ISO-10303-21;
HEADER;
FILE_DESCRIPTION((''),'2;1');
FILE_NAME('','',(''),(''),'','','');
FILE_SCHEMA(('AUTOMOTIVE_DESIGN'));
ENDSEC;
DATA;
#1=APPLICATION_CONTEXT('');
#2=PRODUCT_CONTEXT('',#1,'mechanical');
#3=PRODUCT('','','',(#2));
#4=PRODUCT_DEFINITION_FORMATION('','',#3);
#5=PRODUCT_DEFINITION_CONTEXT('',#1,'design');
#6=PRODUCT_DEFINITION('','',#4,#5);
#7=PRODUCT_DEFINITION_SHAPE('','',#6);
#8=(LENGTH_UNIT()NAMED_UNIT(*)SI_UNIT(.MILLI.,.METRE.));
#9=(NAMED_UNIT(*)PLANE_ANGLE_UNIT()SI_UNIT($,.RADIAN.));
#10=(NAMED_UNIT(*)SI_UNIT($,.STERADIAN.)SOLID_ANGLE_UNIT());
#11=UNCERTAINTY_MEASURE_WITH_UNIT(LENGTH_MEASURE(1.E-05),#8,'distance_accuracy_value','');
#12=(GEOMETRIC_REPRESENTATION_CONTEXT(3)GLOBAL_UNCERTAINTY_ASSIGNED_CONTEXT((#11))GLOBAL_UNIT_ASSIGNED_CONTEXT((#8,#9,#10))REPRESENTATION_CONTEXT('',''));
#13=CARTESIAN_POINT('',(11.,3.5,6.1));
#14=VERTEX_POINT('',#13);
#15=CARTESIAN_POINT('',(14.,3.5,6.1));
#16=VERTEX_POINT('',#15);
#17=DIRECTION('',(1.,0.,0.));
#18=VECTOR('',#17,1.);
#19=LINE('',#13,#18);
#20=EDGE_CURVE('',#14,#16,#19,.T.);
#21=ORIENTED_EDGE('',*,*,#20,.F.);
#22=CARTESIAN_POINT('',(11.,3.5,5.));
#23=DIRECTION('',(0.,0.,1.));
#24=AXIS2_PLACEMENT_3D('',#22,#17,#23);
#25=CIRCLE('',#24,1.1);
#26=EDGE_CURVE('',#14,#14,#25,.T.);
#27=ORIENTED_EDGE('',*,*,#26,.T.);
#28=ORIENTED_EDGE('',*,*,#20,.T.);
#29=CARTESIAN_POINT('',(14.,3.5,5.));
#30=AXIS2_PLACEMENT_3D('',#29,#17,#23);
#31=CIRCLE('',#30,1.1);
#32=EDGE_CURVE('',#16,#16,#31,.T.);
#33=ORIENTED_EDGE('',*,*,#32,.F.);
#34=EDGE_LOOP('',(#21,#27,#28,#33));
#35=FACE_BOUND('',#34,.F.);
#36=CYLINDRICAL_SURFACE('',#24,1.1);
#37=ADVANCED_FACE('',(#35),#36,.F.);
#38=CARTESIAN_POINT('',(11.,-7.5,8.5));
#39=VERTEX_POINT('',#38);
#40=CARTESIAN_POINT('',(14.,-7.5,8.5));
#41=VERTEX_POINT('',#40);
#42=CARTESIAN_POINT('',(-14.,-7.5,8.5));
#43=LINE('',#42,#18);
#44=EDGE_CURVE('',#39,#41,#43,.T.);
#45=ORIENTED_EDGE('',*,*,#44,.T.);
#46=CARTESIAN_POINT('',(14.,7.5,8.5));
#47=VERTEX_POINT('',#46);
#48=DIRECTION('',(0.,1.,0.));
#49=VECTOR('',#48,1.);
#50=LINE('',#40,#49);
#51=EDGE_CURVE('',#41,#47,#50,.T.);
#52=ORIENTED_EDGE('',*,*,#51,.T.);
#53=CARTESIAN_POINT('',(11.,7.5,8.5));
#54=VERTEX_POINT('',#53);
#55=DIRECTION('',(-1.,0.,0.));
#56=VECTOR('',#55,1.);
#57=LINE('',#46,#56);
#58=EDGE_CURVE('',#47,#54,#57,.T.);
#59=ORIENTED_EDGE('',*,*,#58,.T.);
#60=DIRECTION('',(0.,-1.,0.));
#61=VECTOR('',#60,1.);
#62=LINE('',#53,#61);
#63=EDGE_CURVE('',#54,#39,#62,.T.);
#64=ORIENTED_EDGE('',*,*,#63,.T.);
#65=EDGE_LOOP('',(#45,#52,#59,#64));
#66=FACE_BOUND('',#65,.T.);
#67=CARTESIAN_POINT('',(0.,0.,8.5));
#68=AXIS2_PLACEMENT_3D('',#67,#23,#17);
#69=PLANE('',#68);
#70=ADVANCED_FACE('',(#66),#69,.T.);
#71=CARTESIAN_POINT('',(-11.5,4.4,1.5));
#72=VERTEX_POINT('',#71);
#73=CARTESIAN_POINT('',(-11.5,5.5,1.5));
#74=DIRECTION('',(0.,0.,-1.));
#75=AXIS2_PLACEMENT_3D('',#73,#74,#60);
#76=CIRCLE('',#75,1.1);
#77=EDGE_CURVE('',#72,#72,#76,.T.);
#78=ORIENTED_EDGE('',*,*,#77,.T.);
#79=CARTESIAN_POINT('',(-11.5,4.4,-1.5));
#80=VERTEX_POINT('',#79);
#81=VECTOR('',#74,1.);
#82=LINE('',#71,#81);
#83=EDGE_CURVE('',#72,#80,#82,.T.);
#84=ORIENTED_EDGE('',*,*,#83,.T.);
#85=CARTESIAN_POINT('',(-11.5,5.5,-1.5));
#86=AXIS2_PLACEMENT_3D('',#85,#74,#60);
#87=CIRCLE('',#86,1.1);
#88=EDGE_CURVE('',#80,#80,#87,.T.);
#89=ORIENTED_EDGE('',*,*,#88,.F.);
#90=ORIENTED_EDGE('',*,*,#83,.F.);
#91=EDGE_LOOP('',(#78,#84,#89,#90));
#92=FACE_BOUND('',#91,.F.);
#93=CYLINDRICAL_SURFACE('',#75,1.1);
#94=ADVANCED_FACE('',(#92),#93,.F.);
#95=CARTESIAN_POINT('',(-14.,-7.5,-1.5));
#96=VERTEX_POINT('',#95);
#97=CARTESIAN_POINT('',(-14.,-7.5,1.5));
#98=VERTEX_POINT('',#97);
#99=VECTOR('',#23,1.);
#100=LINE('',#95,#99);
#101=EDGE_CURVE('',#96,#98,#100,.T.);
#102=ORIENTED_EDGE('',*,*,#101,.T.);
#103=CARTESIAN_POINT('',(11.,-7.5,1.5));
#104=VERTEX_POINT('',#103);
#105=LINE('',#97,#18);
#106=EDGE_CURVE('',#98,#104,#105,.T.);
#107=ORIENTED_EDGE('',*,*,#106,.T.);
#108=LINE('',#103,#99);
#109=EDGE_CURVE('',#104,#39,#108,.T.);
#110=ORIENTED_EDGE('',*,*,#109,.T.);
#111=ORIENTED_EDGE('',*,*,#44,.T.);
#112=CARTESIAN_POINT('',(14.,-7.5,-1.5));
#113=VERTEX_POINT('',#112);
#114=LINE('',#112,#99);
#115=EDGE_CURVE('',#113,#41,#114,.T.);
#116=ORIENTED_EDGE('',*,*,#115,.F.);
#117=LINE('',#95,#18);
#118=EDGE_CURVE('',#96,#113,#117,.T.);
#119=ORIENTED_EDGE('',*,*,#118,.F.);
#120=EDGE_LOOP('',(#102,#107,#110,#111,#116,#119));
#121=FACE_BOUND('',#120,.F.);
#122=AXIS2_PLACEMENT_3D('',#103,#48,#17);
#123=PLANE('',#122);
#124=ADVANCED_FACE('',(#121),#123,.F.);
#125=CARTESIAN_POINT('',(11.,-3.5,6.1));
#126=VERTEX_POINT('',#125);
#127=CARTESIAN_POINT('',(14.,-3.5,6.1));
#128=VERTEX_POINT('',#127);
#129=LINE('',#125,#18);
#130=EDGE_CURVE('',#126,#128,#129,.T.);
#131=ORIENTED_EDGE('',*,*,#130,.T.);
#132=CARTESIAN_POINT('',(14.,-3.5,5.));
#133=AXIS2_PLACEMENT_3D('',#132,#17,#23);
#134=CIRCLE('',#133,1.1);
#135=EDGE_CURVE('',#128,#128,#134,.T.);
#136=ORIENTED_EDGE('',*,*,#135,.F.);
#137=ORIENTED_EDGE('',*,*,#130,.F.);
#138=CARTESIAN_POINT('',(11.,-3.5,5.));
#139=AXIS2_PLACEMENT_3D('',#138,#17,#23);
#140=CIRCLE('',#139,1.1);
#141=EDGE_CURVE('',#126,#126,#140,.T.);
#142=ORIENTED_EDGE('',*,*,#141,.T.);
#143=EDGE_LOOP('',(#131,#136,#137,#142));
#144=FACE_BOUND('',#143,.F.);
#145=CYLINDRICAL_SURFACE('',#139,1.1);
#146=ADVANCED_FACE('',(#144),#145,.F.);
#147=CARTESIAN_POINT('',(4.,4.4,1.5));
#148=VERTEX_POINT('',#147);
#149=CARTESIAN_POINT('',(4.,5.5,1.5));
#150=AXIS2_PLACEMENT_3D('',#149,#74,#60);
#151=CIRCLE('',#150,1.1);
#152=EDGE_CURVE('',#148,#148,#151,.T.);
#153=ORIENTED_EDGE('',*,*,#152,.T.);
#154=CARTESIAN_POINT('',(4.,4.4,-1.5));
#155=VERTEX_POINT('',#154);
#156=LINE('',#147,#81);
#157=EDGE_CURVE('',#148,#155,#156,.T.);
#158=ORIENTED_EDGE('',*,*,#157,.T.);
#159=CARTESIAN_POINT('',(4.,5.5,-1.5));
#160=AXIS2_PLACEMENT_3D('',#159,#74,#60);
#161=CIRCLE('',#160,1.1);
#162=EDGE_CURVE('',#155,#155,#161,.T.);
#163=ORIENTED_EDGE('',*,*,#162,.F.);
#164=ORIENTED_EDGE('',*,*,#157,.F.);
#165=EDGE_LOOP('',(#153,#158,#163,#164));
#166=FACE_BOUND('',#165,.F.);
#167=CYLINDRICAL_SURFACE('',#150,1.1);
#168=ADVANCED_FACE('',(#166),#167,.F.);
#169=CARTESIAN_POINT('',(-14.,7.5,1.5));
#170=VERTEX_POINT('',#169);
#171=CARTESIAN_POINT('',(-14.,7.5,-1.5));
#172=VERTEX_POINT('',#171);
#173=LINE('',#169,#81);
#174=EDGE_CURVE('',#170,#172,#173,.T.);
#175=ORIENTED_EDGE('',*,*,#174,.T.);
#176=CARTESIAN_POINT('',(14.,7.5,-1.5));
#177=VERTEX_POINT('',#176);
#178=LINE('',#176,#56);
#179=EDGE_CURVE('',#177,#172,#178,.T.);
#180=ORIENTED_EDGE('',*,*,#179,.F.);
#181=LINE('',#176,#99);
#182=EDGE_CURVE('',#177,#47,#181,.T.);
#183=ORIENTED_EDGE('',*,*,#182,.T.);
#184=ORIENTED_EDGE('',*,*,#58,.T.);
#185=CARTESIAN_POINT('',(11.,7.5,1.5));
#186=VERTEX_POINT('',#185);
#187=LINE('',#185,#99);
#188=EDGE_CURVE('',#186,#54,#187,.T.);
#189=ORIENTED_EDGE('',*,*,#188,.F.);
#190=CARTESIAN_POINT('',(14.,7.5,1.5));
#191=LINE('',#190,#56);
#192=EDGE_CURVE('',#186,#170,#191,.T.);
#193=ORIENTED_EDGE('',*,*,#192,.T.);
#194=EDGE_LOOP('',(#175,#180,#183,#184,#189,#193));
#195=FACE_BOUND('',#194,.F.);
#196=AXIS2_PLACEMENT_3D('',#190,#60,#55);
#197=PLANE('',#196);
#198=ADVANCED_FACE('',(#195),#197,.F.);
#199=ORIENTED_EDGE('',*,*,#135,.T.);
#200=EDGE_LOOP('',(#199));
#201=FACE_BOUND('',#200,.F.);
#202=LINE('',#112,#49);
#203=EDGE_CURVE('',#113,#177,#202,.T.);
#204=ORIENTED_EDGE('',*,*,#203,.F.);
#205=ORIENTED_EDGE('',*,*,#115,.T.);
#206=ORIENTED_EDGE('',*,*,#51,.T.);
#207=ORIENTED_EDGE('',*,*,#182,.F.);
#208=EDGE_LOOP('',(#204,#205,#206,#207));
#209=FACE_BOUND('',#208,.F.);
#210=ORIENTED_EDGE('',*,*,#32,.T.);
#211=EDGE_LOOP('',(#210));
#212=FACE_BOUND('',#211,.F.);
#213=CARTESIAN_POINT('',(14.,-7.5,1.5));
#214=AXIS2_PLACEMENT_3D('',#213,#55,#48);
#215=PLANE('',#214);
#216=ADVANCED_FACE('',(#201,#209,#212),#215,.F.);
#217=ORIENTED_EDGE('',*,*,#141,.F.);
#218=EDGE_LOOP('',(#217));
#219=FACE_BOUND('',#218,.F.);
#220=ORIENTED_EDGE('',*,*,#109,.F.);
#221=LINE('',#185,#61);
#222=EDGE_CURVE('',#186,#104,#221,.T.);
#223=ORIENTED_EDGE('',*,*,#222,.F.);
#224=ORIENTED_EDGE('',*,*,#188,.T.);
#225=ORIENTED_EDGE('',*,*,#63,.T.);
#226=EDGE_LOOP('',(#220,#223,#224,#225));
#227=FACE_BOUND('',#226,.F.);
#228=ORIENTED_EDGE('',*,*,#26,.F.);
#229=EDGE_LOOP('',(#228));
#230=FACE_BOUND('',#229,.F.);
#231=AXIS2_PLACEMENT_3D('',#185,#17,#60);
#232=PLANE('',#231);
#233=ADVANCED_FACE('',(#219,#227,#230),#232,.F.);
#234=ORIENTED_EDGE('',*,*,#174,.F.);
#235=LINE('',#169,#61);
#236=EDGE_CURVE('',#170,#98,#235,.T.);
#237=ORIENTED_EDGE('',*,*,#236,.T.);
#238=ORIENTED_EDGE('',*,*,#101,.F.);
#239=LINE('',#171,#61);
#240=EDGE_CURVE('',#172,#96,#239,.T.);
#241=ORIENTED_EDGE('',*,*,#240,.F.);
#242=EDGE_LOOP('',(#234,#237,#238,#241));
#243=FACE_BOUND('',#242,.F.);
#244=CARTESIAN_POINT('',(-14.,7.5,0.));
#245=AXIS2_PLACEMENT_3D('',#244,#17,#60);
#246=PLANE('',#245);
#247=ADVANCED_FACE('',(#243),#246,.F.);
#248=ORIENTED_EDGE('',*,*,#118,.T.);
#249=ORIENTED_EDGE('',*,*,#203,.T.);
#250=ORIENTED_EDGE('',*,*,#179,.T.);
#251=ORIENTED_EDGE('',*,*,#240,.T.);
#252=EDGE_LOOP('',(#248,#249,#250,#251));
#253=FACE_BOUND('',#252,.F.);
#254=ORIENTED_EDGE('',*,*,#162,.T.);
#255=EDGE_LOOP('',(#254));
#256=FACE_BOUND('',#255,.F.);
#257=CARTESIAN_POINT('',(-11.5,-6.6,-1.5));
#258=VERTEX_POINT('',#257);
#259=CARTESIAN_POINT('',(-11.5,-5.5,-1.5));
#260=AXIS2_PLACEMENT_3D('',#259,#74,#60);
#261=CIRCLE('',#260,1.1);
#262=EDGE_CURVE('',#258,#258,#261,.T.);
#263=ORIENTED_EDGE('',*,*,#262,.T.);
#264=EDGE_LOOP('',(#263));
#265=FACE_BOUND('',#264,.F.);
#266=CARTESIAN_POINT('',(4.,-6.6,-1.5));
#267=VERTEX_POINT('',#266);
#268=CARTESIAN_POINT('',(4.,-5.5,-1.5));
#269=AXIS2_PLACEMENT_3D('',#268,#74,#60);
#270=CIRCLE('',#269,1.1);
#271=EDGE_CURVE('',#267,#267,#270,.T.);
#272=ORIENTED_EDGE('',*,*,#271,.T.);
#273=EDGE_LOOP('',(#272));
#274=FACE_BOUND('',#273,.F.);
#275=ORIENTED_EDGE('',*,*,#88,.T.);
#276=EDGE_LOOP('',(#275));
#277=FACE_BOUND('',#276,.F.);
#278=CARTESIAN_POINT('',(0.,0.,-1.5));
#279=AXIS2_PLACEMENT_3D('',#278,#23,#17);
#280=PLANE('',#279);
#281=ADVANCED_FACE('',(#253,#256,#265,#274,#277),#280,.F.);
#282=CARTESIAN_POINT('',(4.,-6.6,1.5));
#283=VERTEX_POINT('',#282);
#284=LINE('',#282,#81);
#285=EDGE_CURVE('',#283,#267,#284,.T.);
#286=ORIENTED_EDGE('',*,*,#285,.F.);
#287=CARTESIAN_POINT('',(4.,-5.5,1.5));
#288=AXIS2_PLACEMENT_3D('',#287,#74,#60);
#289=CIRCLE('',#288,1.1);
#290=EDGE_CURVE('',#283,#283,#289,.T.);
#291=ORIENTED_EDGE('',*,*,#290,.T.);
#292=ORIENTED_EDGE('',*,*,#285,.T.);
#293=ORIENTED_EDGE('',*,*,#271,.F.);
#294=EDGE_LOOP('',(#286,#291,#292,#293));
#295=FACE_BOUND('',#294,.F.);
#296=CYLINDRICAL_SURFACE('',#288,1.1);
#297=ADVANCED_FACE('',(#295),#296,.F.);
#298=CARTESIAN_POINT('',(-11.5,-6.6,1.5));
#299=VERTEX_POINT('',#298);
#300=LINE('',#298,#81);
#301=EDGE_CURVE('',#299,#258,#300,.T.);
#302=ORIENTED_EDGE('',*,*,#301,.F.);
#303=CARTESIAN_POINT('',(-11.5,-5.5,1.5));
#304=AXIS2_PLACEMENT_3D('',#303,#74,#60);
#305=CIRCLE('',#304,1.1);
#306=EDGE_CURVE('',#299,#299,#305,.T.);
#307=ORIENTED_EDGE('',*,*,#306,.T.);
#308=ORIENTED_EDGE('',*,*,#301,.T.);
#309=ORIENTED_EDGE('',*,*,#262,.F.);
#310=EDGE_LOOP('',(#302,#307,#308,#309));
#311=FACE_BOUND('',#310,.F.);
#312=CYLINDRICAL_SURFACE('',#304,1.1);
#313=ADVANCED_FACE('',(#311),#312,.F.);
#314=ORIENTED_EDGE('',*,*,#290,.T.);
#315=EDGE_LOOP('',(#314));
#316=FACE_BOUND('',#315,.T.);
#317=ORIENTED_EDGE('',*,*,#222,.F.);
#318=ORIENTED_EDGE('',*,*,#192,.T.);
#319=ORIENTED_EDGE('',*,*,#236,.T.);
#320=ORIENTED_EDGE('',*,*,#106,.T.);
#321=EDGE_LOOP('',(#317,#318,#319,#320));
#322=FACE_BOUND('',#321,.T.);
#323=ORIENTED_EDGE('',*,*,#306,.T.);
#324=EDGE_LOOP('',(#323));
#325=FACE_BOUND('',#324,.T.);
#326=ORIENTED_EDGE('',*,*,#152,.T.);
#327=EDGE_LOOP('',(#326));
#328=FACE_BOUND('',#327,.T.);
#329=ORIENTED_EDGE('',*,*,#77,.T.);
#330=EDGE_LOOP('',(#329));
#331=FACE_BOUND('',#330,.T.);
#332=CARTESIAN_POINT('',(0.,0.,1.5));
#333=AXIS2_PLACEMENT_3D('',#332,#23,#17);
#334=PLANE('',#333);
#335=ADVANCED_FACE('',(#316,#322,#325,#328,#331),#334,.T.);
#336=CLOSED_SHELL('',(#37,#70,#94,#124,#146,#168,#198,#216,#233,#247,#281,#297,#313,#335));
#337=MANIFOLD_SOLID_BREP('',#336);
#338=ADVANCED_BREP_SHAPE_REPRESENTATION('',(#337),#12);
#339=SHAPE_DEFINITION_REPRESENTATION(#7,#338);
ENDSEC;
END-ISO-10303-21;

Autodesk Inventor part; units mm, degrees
ref_plane "YZ Plane" through (0, 0, 0) normal (1, 0, 0) x (0, 1, 0)
ref_plane "XZ Plane" through (0, 0, 0) normal (0, 1, 0) x (-1, 0, 0)
ref_plane "XY Plane" through (0, 0, 0) normal (0, 0, 1) x (1, 0, 0)
sketch "スケッチ1" plane through (0, 0, 0) normal (0, 0, 1) x (1, 0, 0)
  line L0 (-14, -7.5) -> (14, -7.5)
  line L1 (14, -7.5) -> (14, 7.5)
  line L2 (14, 7.5) -> (-14, 7.5)
  line L3 (-14, 7.5) -> (-14, -7.5)
  line L4 (-14, -7.5) -> (14, 7.5) construction
  line L5 (14, -7.5) -> (-14, 7.5) construction
  point P0 (0, 0)
  dimension "d0" = 28
  dimension "d1" = 15
extrude "押し出し1" add sketch "スケッチ1" along normal mid plane 3
sketch "スケッチ2" plane through (0, 0, 1.5) normal (0, 0, 1) x (1, 0, 0)
  line L0 (14, -7.5) -> (14, 7.5) projected
  line L1 (-14, -7.5) -> (14, -7.5) projected
  line L2 (14, 7.5) -> (11, 7.5)
  line L3 (11, 7.5) -> (11, -7.5)
  line L4 (11, -7.5) -> (14, -7.5)
  line L5 (14, -7.5) -> (14, 7.5)
  point P0 (0, 0)
  dimension "d4" = 3
extrude "押し出し2" add sketch "スケッチ2" along normal blind 7
sketch "スケッチ3" plane through (0, 0, 1.5) normal (0, 0, 1) x (1, 0, 0)
  line L0 (-14, 7.5) -> (-14, -7.5) projected
  line L1 (0, 0) -> (-2.791, 0)
  point P0 (-11.5, 5.5)
  point P1 (4, 5.5)
  point P2 (-11.5, -5.5)
  point P3 (4, -5.5)
  dimension "d7" = 15.5
  dimension "d8" = 2.5
  dimension "d9" = 5.5
  dimension "d10" = 5.5
hole "穴1" at (-11.5, 5.5, 1.5) at (4, 5.5, 1.5) at (-11.5, -5.5, 1.5) at (4, -5.5, 1.5) direction (0, 0, -1) diameter 2.2 end through all
sketch "スケッチ4" plane through (11, -7.5, 1.5) normal (-1, 0, 0) x (0, 0, 1)
  line L0 (0, 15) -> (7, 15) projected
  line L1 (7, 15) -> (7, 0) projected
  line L2 (0, 0) -> (7, 0) projected
  point P0 (-1.5, 7.5)
  point P1 (3.5, 11)
  point P2 (3.5, 4)
  dimension "d18" = 4
  dimension "d19" = 3.5
  dimension "d20" = 3.5
  dimension "d21" = 4
hole "穴2" at (11, 3.5, 5) at (11, -3.5, 5) direction (1, 0, 0) diameter 2.2 end through all
equation "\"d10\" = d9"
equation "\"d20\" = d19"
equation "\"d21\" = d18"
properties part number "sponge_holder"
